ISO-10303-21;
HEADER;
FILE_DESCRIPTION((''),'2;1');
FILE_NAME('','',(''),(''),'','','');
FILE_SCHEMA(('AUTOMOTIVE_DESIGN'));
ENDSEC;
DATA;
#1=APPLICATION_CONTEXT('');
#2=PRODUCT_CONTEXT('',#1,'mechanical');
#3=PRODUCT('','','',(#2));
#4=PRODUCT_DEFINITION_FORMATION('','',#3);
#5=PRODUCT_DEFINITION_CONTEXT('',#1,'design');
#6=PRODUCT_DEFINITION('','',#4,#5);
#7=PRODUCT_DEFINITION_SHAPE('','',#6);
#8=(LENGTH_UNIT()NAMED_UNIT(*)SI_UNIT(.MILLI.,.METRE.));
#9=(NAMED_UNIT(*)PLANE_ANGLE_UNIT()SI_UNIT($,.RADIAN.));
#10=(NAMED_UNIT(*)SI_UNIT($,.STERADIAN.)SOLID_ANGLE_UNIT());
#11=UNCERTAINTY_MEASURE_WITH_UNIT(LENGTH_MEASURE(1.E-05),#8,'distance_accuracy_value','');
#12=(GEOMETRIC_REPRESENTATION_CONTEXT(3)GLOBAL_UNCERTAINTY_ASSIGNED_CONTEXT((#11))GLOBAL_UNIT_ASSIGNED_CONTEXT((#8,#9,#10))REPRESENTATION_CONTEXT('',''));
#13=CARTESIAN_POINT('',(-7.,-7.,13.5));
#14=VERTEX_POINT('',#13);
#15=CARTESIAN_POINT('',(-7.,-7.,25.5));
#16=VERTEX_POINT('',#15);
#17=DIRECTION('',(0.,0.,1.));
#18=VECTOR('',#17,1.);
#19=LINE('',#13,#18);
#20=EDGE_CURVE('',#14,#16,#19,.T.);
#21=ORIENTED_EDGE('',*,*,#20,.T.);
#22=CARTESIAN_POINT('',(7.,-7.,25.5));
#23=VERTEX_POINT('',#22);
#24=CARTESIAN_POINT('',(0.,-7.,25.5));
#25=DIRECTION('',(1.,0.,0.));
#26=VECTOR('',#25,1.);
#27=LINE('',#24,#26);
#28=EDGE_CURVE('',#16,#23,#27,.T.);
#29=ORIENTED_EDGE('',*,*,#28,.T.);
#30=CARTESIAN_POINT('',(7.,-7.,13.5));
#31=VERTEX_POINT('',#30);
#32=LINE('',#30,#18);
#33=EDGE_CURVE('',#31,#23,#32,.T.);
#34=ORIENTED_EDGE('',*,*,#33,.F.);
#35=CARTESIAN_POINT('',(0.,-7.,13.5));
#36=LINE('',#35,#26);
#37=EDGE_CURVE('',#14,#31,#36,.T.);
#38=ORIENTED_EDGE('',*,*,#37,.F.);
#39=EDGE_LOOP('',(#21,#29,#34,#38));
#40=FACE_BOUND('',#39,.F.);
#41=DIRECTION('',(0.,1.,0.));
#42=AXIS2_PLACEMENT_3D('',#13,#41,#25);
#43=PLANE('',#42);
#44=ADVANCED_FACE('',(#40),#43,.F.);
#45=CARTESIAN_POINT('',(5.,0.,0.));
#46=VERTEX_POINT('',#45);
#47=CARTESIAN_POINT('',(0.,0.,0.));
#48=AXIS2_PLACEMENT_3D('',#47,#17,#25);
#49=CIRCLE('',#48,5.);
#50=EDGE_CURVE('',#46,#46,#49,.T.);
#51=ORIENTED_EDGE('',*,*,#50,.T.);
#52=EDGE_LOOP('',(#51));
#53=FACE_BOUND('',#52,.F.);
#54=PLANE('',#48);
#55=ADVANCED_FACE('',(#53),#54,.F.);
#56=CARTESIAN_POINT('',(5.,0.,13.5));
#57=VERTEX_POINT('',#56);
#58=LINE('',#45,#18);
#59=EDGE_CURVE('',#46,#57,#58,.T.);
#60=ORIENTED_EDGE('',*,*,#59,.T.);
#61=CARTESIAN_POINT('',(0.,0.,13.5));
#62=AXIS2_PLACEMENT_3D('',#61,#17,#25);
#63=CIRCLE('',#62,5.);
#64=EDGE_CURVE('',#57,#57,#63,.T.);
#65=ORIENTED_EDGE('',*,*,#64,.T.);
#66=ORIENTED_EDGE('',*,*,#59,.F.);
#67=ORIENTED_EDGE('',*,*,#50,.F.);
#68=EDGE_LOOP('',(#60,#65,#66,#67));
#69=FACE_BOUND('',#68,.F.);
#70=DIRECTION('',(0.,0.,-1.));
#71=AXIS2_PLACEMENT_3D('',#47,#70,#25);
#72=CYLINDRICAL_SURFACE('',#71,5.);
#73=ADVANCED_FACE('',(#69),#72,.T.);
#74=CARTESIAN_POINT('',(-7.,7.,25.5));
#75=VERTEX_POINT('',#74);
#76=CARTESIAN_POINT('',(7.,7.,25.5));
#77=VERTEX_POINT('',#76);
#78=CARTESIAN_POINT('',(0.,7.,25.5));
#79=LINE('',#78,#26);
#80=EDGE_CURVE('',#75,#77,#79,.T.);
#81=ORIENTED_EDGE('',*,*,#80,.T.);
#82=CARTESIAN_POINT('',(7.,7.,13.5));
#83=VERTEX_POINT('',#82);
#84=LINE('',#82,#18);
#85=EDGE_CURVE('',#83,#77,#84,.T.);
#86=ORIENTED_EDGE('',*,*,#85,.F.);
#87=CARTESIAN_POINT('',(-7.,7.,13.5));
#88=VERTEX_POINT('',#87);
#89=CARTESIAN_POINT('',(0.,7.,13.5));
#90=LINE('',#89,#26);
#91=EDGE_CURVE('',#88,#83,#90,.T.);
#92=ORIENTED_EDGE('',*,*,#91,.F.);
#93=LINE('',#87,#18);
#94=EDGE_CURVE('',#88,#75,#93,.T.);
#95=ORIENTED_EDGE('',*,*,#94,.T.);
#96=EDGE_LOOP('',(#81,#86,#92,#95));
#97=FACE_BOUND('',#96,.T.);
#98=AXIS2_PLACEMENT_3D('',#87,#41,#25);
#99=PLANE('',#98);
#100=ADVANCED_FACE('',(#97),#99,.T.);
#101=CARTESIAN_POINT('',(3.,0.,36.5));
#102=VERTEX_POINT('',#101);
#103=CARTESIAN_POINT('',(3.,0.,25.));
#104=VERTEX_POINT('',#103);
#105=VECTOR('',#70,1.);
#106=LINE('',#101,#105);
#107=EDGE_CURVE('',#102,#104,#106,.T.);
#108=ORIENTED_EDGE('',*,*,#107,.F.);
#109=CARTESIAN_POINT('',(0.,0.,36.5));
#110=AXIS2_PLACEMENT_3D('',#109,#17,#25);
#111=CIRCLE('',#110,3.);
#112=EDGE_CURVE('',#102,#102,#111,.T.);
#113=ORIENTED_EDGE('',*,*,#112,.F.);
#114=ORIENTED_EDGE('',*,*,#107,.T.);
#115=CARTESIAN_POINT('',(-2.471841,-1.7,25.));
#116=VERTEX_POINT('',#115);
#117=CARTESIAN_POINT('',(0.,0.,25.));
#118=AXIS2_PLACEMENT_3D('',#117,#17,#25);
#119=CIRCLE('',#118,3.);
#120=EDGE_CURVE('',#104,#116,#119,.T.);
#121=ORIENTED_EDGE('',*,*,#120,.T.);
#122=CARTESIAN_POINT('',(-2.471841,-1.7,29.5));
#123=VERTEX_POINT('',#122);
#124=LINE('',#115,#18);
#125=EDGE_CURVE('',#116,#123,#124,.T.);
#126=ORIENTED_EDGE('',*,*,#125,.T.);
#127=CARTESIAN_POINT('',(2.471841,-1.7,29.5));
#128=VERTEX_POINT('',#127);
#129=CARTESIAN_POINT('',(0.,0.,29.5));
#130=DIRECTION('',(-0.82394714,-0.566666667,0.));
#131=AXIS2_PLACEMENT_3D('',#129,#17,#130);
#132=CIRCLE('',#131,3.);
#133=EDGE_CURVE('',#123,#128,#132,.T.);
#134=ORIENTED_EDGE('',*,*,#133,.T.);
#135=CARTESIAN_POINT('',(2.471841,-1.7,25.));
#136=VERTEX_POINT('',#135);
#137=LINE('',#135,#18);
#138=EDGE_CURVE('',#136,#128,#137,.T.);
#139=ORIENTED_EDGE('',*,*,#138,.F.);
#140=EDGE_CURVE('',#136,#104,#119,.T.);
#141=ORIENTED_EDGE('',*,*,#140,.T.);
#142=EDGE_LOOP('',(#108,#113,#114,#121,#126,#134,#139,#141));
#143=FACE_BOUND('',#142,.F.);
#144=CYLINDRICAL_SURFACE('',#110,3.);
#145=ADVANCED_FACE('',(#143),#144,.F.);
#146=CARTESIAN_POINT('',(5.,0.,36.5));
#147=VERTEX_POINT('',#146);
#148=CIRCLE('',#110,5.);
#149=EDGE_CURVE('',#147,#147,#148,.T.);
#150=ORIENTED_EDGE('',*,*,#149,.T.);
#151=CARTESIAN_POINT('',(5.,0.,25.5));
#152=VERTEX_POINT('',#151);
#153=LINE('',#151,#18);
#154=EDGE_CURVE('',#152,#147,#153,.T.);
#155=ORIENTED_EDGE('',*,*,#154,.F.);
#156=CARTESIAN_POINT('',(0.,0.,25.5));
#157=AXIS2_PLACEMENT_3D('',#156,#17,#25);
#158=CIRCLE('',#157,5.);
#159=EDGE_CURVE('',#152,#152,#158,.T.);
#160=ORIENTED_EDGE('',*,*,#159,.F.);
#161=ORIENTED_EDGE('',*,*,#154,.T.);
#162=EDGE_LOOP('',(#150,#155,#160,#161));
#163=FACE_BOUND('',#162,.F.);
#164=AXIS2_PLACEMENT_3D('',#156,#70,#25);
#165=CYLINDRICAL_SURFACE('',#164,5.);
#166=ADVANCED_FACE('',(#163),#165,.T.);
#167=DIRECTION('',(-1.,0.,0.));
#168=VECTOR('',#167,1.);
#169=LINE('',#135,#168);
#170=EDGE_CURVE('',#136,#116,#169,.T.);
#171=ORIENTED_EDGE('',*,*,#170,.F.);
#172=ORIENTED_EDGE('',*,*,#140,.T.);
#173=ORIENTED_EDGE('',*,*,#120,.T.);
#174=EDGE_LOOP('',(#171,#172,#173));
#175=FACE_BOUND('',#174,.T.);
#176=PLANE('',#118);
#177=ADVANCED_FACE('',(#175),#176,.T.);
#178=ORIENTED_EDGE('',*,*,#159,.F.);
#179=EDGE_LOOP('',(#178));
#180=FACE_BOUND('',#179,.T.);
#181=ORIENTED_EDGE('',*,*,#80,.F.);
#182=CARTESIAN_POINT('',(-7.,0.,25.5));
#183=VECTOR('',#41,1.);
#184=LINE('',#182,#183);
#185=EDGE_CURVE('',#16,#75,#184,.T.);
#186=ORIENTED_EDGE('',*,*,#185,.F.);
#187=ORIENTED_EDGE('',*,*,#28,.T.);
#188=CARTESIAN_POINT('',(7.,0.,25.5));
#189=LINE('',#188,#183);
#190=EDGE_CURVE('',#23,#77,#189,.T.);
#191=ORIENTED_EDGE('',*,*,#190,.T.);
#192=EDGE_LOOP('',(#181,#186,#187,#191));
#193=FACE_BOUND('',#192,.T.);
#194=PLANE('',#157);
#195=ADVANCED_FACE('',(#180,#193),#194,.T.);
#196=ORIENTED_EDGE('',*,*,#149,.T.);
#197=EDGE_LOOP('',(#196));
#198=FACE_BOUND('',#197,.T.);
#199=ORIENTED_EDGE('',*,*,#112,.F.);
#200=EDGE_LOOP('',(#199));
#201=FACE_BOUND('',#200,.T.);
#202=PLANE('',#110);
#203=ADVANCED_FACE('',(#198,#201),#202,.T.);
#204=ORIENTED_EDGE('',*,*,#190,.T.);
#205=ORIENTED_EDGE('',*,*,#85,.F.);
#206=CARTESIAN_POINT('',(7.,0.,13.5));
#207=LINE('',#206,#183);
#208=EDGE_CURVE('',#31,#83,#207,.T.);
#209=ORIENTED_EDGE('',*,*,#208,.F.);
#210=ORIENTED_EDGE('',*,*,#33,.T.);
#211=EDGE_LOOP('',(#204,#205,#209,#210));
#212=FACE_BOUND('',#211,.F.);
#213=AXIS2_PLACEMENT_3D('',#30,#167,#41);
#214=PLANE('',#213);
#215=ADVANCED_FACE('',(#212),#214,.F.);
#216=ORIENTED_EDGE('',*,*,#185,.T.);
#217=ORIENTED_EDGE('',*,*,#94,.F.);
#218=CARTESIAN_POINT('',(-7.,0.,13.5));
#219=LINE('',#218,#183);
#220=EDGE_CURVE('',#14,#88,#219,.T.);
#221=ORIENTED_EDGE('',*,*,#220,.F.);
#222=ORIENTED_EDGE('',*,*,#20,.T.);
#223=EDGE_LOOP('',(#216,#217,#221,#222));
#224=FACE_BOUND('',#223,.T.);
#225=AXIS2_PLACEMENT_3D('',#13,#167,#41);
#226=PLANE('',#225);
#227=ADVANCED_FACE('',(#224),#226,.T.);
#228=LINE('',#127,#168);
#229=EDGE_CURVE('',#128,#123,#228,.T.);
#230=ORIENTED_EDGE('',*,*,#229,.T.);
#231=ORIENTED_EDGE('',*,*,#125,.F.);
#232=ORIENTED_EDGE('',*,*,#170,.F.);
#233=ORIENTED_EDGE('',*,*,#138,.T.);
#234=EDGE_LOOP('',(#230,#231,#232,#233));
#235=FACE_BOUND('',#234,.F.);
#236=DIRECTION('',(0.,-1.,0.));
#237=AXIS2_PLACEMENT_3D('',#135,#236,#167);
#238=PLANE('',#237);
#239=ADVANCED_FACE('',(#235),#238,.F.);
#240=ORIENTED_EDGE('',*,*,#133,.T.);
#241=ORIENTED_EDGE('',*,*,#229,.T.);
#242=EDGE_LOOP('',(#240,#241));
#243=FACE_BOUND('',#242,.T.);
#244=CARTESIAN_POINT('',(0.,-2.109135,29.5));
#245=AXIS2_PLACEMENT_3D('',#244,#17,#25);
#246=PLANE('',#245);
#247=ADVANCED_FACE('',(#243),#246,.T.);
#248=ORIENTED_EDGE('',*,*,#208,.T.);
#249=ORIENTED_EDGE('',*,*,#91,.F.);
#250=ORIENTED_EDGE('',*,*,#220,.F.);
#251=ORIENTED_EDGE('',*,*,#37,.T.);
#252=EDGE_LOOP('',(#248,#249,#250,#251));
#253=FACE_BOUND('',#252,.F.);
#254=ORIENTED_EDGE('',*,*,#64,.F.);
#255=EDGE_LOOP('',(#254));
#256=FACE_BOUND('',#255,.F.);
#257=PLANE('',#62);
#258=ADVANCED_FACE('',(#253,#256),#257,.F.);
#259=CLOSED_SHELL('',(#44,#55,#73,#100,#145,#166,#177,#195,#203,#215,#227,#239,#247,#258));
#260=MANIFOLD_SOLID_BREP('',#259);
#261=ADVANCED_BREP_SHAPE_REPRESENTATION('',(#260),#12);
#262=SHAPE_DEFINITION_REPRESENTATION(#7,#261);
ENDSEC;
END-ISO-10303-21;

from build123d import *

# Parameters (mm, degrees)
F0_R     = 5
F1_DEPTH = 13.5
F2_W     = 14
F2_H     = 14
F3_DEPTH = 12
F4_R     = 5
F5_DEPTH = 11
F6_R     = 3
F7_DEPTH = 11.5
F9_DEPTH = 4.5


with BuildPart() as f1:
    # F0 (on Top) → F1 (new body)
    with BuildSketch(Plane.XY):
        Circle(F0_R)
    extrude(amount=F1_DEPTH)

    # F2 (on face) → F3 (join)
    with BuildSketch(Plane.XY.offset(13.5)):
        Rectangle(F2_W, F2_H)
    extrude(amount=F3_DEPTH)

    # F4 (on face) → F5 (join)
    with BuildSketch(Plane.XY.offset(25.5)):
        Circle(F4_R)
    extrude(amount=F5_DEPTH)

    # F6 (on face) → F7 (cut)
    with BuildSketch(Plane.XY.offset(36.5)):
        Circle(F6_R)
    extrude(amount=-F7_DEPTH, mode=Mode.SUBTRACT)

    # F8 (on face) → F9 (join)
    with BuildSketch(Plane.XY.offset(25)):
        with BuildLine():
            Line((2.4718414189, -1.7), (-2.4718414189, -1.7))
            ThreePointArc((-2.4718414189, -1.7), (0, -3), (2.4718414189, -1.7))
        make_face()
    extrude(amount=F9_DEPTH)


solid = f1.part
